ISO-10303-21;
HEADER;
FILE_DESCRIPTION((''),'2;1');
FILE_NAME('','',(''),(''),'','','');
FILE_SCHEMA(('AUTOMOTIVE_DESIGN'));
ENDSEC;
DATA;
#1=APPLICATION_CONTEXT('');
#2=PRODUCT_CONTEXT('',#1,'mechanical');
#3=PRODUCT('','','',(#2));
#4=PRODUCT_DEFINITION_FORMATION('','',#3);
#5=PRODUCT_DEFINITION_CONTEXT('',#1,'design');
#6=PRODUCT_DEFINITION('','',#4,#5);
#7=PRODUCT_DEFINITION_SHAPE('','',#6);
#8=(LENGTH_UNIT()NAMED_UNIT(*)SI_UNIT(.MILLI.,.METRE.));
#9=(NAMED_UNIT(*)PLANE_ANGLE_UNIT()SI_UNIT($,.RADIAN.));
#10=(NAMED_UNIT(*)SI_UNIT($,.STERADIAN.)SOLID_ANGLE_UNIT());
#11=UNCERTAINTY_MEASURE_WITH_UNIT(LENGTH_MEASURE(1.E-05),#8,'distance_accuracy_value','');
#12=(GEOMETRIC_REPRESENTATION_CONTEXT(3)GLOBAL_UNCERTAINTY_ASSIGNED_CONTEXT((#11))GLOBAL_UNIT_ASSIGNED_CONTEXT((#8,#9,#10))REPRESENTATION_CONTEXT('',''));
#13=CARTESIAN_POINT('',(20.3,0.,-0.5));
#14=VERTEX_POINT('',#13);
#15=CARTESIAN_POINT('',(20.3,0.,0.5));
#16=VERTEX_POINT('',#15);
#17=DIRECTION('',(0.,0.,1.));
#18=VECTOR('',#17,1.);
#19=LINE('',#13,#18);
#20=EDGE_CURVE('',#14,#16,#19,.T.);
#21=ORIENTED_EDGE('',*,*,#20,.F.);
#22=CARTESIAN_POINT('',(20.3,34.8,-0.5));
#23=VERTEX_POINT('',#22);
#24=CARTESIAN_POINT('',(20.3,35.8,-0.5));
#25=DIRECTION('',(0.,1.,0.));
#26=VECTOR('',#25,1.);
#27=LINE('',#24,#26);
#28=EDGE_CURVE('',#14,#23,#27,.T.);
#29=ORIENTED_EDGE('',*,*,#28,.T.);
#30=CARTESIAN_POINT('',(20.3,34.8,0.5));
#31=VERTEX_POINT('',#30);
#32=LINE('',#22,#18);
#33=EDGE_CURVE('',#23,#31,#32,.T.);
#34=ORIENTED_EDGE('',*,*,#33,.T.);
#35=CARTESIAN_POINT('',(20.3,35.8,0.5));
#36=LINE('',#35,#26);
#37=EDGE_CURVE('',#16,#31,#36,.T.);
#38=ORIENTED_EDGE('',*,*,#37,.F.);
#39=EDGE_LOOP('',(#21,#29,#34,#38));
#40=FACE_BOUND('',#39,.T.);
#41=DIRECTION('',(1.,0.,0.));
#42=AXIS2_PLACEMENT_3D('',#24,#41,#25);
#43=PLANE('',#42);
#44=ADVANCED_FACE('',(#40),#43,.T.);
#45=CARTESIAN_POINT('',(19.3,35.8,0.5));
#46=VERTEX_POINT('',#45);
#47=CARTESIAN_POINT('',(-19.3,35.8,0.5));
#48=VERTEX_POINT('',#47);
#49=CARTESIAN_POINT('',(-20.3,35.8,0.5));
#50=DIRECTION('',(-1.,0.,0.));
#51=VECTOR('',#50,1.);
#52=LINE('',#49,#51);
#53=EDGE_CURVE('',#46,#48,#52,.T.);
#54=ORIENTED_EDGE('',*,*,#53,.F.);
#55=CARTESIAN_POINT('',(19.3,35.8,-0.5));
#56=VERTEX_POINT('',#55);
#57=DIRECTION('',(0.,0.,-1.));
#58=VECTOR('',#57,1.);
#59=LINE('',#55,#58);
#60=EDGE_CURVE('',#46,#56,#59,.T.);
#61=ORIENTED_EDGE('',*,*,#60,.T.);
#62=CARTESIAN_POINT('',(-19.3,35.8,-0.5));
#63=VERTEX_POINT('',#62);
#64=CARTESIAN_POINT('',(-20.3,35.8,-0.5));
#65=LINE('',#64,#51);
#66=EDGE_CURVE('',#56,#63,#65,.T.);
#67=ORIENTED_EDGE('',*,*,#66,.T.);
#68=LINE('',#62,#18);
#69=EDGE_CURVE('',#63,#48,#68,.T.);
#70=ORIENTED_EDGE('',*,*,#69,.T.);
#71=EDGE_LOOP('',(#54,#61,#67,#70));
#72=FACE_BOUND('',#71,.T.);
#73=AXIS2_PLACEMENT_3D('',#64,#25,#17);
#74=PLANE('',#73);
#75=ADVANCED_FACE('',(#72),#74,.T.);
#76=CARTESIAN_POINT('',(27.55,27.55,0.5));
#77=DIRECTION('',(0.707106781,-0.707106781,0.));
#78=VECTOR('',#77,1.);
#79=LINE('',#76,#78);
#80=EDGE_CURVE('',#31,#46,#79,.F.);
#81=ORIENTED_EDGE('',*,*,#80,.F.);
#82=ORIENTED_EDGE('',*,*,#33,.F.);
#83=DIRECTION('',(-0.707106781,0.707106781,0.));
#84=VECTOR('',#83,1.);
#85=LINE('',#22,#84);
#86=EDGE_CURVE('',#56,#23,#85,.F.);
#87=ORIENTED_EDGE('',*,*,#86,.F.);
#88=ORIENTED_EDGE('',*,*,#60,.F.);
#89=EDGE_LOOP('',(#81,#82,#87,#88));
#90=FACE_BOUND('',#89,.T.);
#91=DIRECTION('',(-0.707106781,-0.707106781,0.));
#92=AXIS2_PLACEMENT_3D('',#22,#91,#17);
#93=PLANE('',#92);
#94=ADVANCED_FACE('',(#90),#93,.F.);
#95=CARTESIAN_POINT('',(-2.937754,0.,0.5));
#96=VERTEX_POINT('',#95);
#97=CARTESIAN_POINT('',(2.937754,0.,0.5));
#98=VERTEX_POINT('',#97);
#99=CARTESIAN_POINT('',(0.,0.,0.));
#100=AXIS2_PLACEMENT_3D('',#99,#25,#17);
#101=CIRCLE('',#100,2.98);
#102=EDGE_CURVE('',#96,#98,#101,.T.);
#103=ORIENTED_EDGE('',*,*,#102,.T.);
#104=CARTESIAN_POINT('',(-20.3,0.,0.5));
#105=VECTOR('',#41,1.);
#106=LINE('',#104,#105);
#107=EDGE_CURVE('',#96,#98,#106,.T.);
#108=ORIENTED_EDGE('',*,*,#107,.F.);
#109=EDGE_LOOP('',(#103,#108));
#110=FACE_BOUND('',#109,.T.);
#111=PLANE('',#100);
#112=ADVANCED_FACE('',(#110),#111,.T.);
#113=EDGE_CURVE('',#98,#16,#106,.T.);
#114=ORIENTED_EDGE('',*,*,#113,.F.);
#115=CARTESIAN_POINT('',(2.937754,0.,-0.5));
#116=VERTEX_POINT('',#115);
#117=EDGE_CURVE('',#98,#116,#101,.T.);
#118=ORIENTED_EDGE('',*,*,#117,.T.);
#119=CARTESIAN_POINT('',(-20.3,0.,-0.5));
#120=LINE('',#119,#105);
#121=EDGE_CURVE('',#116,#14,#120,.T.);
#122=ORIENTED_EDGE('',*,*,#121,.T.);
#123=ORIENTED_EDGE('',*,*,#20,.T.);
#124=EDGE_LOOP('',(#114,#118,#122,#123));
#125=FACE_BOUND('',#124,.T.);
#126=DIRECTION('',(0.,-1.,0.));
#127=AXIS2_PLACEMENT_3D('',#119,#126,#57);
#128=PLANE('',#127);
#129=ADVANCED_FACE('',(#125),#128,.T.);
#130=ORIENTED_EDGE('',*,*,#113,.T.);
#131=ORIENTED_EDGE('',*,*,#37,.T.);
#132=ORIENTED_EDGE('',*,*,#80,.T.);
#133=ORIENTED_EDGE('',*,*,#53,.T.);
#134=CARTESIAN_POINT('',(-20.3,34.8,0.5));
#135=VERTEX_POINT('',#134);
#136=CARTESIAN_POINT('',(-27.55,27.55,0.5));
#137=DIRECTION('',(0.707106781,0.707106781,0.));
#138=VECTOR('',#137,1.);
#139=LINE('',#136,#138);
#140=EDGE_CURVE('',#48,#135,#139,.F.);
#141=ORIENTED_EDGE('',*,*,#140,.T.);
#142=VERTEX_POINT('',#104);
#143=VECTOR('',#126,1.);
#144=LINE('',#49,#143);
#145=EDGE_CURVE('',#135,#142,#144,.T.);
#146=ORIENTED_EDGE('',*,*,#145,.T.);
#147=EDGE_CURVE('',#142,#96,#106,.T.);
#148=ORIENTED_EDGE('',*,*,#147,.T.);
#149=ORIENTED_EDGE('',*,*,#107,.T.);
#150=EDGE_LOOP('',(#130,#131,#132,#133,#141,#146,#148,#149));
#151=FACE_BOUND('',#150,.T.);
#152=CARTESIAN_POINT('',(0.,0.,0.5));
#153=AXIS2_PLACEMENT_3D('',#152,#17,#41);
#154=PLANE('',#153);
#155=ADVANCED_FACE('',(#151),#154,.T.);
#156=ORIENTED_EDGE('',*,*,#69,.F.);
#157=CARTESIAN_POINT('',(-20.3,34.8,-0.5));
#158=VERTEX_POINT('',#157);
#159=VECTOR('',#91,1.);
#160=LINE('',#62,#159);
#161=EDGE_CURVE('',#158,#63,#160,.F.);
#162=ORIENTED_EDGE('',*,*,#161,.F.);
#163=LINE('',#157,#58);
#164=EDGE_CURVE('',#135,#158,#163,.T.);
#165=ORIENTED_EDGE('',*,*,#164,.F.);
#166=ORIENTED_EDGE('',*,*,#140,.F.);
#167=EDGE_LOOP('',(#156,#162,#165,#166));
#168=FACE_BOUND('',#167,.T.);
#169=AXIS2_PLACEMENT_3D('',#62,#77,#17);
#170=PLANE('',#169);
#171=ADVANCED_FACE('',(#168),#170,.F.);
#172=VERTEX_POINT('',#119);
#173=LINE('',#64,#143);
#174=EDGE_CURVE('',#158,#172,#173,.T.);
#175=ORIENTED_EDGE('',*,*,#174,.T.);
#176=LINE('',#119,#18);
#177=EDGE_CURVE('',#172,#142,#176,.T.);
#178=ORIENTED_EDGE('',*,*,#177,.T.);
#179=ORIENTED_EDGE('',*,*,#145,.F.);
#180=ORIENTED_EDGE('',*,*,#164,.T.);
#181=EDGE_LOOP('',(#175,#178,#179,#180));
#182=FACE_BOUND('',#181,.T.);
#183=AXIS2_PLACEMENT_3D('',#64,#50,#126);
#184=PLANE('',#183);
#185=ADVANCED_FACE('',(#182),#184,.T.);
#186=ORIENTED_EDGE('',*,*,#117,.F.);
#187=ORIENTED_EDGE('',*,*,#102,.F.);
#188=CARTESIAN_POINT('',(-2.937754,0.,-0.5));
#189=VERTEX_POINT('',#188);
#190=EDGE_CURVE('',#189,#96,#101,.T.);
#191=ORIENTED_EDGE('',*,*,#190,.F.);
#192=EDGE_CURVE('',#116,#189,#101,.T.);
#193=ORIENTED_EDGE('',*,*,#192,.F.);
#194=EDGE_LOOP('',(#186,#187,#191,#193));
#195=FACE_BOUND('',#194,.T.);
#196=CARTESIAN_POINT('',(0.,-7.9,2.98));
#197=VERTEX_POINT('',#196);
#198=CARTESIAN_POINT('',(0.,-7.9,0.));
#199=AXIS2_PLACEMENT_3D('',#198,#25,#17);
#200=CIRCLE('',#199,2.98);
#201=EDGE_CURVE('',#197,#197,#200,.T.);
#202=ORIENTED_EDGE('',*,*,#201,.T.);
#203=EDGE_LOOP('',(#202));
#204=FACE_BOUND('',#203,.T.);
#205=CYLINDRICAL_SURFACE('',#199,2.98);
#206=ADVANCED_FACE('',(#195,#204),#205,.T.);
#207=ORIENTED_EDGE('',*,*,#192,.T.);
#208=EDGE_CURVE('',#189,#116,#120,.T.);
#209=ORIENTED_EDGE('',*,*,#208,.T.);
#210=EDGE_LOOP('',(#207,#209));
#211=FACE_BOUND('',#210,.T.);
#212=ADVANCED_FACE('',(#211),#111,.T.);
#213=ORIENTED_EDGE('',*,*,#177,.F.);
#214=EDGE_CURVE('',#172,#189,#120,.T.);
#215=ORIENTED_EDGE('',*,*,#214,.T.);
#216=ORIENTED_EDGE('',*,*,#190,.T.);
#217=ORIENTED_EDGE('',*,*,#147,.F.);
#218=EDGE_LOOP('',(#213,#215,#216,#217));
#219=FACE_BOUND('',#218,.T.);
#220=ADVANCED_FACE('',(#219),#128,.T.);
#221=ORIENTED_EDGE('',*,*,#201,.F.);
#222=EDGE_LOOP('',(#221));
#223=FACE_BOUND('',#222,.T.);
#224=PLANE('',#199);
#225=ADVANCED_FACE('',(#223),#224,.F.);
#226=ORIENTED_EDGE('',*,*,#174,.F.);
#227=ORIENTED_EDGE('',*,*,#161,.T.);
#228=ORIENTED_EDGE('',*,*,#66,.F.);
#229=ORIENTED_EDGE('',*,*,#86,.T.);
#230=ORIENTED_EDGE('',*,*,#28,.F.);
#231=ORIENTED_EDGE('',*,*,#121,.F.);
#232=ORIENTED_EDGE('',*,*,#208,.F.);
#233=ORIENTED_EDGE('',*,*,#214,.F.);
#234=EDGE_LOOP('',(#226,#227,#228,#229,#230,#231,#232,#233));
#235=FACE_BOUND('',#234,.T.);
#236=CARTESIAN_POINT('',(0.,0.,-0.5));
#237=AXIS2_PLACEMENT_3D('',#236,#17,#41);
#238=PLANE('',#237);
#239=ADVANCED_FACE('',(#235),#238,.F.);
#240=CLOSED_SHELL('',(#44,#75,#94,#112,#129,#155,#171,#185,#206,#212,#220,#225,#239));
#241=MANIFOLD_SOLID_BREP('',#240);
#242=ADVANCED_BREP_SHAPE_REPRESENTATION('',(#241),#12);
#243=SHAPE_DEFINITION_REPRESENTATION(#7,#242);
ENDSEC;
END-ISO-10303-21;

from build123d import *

# Parameters (mm, degrees)
ESQUISSE2_R             = 2.98
BOSS_EXTRU_1_DEPTH      = 7.9
BOSS_EXTRU_2_DEPTH      = 0.5
BOSS_EXTRU_2_DEPTH_BACK = 0.5
ESQUISSE3_W             = 40.6
ESQUISSE3_H             = 35.8
CHANFREIN1_SIZE         = 1


with BuildPart() as part:
    # Esquisse2 → Boss.-Extru.1 (new body)
    with BuildSketch(Plane(origin=(0, 0, 0), x_dir=(1, 0, 0), z_dir=(0, 1, 0))):
        Circle(ESQUISSE2_R)
    extrude(amount=-BOSS_EXTRU_1_DEPTH)

    # Esquisse3 → Boss.-Extru.2 (add, two sides: drawn at the far end of the back side and taken through both)
    with BuildSketch(Plane.XY.offset(-BOSS_EXTRU_2_DEPTH_BACK)):
        with Locations((0, 17.9)):
            Rectangle(ESQUISSE3_W, ESQUISSE3_H)
    extrude(amount=BOSS_EXTRU_2_DEPTH + BOSS_EXTRU_2_DEPTH_BACK)

    # Chanfrein1
    chanfrein1_edges = [part.edges().sort_by_distance(p)[0] for p in [
        (-20.3, 35.8, 0),
        (20.3, 35.8, 0),
    ]]
    chamfer(chanfrein1_edges, length=CHANFREIN1_SIZE)


solid = part.part
